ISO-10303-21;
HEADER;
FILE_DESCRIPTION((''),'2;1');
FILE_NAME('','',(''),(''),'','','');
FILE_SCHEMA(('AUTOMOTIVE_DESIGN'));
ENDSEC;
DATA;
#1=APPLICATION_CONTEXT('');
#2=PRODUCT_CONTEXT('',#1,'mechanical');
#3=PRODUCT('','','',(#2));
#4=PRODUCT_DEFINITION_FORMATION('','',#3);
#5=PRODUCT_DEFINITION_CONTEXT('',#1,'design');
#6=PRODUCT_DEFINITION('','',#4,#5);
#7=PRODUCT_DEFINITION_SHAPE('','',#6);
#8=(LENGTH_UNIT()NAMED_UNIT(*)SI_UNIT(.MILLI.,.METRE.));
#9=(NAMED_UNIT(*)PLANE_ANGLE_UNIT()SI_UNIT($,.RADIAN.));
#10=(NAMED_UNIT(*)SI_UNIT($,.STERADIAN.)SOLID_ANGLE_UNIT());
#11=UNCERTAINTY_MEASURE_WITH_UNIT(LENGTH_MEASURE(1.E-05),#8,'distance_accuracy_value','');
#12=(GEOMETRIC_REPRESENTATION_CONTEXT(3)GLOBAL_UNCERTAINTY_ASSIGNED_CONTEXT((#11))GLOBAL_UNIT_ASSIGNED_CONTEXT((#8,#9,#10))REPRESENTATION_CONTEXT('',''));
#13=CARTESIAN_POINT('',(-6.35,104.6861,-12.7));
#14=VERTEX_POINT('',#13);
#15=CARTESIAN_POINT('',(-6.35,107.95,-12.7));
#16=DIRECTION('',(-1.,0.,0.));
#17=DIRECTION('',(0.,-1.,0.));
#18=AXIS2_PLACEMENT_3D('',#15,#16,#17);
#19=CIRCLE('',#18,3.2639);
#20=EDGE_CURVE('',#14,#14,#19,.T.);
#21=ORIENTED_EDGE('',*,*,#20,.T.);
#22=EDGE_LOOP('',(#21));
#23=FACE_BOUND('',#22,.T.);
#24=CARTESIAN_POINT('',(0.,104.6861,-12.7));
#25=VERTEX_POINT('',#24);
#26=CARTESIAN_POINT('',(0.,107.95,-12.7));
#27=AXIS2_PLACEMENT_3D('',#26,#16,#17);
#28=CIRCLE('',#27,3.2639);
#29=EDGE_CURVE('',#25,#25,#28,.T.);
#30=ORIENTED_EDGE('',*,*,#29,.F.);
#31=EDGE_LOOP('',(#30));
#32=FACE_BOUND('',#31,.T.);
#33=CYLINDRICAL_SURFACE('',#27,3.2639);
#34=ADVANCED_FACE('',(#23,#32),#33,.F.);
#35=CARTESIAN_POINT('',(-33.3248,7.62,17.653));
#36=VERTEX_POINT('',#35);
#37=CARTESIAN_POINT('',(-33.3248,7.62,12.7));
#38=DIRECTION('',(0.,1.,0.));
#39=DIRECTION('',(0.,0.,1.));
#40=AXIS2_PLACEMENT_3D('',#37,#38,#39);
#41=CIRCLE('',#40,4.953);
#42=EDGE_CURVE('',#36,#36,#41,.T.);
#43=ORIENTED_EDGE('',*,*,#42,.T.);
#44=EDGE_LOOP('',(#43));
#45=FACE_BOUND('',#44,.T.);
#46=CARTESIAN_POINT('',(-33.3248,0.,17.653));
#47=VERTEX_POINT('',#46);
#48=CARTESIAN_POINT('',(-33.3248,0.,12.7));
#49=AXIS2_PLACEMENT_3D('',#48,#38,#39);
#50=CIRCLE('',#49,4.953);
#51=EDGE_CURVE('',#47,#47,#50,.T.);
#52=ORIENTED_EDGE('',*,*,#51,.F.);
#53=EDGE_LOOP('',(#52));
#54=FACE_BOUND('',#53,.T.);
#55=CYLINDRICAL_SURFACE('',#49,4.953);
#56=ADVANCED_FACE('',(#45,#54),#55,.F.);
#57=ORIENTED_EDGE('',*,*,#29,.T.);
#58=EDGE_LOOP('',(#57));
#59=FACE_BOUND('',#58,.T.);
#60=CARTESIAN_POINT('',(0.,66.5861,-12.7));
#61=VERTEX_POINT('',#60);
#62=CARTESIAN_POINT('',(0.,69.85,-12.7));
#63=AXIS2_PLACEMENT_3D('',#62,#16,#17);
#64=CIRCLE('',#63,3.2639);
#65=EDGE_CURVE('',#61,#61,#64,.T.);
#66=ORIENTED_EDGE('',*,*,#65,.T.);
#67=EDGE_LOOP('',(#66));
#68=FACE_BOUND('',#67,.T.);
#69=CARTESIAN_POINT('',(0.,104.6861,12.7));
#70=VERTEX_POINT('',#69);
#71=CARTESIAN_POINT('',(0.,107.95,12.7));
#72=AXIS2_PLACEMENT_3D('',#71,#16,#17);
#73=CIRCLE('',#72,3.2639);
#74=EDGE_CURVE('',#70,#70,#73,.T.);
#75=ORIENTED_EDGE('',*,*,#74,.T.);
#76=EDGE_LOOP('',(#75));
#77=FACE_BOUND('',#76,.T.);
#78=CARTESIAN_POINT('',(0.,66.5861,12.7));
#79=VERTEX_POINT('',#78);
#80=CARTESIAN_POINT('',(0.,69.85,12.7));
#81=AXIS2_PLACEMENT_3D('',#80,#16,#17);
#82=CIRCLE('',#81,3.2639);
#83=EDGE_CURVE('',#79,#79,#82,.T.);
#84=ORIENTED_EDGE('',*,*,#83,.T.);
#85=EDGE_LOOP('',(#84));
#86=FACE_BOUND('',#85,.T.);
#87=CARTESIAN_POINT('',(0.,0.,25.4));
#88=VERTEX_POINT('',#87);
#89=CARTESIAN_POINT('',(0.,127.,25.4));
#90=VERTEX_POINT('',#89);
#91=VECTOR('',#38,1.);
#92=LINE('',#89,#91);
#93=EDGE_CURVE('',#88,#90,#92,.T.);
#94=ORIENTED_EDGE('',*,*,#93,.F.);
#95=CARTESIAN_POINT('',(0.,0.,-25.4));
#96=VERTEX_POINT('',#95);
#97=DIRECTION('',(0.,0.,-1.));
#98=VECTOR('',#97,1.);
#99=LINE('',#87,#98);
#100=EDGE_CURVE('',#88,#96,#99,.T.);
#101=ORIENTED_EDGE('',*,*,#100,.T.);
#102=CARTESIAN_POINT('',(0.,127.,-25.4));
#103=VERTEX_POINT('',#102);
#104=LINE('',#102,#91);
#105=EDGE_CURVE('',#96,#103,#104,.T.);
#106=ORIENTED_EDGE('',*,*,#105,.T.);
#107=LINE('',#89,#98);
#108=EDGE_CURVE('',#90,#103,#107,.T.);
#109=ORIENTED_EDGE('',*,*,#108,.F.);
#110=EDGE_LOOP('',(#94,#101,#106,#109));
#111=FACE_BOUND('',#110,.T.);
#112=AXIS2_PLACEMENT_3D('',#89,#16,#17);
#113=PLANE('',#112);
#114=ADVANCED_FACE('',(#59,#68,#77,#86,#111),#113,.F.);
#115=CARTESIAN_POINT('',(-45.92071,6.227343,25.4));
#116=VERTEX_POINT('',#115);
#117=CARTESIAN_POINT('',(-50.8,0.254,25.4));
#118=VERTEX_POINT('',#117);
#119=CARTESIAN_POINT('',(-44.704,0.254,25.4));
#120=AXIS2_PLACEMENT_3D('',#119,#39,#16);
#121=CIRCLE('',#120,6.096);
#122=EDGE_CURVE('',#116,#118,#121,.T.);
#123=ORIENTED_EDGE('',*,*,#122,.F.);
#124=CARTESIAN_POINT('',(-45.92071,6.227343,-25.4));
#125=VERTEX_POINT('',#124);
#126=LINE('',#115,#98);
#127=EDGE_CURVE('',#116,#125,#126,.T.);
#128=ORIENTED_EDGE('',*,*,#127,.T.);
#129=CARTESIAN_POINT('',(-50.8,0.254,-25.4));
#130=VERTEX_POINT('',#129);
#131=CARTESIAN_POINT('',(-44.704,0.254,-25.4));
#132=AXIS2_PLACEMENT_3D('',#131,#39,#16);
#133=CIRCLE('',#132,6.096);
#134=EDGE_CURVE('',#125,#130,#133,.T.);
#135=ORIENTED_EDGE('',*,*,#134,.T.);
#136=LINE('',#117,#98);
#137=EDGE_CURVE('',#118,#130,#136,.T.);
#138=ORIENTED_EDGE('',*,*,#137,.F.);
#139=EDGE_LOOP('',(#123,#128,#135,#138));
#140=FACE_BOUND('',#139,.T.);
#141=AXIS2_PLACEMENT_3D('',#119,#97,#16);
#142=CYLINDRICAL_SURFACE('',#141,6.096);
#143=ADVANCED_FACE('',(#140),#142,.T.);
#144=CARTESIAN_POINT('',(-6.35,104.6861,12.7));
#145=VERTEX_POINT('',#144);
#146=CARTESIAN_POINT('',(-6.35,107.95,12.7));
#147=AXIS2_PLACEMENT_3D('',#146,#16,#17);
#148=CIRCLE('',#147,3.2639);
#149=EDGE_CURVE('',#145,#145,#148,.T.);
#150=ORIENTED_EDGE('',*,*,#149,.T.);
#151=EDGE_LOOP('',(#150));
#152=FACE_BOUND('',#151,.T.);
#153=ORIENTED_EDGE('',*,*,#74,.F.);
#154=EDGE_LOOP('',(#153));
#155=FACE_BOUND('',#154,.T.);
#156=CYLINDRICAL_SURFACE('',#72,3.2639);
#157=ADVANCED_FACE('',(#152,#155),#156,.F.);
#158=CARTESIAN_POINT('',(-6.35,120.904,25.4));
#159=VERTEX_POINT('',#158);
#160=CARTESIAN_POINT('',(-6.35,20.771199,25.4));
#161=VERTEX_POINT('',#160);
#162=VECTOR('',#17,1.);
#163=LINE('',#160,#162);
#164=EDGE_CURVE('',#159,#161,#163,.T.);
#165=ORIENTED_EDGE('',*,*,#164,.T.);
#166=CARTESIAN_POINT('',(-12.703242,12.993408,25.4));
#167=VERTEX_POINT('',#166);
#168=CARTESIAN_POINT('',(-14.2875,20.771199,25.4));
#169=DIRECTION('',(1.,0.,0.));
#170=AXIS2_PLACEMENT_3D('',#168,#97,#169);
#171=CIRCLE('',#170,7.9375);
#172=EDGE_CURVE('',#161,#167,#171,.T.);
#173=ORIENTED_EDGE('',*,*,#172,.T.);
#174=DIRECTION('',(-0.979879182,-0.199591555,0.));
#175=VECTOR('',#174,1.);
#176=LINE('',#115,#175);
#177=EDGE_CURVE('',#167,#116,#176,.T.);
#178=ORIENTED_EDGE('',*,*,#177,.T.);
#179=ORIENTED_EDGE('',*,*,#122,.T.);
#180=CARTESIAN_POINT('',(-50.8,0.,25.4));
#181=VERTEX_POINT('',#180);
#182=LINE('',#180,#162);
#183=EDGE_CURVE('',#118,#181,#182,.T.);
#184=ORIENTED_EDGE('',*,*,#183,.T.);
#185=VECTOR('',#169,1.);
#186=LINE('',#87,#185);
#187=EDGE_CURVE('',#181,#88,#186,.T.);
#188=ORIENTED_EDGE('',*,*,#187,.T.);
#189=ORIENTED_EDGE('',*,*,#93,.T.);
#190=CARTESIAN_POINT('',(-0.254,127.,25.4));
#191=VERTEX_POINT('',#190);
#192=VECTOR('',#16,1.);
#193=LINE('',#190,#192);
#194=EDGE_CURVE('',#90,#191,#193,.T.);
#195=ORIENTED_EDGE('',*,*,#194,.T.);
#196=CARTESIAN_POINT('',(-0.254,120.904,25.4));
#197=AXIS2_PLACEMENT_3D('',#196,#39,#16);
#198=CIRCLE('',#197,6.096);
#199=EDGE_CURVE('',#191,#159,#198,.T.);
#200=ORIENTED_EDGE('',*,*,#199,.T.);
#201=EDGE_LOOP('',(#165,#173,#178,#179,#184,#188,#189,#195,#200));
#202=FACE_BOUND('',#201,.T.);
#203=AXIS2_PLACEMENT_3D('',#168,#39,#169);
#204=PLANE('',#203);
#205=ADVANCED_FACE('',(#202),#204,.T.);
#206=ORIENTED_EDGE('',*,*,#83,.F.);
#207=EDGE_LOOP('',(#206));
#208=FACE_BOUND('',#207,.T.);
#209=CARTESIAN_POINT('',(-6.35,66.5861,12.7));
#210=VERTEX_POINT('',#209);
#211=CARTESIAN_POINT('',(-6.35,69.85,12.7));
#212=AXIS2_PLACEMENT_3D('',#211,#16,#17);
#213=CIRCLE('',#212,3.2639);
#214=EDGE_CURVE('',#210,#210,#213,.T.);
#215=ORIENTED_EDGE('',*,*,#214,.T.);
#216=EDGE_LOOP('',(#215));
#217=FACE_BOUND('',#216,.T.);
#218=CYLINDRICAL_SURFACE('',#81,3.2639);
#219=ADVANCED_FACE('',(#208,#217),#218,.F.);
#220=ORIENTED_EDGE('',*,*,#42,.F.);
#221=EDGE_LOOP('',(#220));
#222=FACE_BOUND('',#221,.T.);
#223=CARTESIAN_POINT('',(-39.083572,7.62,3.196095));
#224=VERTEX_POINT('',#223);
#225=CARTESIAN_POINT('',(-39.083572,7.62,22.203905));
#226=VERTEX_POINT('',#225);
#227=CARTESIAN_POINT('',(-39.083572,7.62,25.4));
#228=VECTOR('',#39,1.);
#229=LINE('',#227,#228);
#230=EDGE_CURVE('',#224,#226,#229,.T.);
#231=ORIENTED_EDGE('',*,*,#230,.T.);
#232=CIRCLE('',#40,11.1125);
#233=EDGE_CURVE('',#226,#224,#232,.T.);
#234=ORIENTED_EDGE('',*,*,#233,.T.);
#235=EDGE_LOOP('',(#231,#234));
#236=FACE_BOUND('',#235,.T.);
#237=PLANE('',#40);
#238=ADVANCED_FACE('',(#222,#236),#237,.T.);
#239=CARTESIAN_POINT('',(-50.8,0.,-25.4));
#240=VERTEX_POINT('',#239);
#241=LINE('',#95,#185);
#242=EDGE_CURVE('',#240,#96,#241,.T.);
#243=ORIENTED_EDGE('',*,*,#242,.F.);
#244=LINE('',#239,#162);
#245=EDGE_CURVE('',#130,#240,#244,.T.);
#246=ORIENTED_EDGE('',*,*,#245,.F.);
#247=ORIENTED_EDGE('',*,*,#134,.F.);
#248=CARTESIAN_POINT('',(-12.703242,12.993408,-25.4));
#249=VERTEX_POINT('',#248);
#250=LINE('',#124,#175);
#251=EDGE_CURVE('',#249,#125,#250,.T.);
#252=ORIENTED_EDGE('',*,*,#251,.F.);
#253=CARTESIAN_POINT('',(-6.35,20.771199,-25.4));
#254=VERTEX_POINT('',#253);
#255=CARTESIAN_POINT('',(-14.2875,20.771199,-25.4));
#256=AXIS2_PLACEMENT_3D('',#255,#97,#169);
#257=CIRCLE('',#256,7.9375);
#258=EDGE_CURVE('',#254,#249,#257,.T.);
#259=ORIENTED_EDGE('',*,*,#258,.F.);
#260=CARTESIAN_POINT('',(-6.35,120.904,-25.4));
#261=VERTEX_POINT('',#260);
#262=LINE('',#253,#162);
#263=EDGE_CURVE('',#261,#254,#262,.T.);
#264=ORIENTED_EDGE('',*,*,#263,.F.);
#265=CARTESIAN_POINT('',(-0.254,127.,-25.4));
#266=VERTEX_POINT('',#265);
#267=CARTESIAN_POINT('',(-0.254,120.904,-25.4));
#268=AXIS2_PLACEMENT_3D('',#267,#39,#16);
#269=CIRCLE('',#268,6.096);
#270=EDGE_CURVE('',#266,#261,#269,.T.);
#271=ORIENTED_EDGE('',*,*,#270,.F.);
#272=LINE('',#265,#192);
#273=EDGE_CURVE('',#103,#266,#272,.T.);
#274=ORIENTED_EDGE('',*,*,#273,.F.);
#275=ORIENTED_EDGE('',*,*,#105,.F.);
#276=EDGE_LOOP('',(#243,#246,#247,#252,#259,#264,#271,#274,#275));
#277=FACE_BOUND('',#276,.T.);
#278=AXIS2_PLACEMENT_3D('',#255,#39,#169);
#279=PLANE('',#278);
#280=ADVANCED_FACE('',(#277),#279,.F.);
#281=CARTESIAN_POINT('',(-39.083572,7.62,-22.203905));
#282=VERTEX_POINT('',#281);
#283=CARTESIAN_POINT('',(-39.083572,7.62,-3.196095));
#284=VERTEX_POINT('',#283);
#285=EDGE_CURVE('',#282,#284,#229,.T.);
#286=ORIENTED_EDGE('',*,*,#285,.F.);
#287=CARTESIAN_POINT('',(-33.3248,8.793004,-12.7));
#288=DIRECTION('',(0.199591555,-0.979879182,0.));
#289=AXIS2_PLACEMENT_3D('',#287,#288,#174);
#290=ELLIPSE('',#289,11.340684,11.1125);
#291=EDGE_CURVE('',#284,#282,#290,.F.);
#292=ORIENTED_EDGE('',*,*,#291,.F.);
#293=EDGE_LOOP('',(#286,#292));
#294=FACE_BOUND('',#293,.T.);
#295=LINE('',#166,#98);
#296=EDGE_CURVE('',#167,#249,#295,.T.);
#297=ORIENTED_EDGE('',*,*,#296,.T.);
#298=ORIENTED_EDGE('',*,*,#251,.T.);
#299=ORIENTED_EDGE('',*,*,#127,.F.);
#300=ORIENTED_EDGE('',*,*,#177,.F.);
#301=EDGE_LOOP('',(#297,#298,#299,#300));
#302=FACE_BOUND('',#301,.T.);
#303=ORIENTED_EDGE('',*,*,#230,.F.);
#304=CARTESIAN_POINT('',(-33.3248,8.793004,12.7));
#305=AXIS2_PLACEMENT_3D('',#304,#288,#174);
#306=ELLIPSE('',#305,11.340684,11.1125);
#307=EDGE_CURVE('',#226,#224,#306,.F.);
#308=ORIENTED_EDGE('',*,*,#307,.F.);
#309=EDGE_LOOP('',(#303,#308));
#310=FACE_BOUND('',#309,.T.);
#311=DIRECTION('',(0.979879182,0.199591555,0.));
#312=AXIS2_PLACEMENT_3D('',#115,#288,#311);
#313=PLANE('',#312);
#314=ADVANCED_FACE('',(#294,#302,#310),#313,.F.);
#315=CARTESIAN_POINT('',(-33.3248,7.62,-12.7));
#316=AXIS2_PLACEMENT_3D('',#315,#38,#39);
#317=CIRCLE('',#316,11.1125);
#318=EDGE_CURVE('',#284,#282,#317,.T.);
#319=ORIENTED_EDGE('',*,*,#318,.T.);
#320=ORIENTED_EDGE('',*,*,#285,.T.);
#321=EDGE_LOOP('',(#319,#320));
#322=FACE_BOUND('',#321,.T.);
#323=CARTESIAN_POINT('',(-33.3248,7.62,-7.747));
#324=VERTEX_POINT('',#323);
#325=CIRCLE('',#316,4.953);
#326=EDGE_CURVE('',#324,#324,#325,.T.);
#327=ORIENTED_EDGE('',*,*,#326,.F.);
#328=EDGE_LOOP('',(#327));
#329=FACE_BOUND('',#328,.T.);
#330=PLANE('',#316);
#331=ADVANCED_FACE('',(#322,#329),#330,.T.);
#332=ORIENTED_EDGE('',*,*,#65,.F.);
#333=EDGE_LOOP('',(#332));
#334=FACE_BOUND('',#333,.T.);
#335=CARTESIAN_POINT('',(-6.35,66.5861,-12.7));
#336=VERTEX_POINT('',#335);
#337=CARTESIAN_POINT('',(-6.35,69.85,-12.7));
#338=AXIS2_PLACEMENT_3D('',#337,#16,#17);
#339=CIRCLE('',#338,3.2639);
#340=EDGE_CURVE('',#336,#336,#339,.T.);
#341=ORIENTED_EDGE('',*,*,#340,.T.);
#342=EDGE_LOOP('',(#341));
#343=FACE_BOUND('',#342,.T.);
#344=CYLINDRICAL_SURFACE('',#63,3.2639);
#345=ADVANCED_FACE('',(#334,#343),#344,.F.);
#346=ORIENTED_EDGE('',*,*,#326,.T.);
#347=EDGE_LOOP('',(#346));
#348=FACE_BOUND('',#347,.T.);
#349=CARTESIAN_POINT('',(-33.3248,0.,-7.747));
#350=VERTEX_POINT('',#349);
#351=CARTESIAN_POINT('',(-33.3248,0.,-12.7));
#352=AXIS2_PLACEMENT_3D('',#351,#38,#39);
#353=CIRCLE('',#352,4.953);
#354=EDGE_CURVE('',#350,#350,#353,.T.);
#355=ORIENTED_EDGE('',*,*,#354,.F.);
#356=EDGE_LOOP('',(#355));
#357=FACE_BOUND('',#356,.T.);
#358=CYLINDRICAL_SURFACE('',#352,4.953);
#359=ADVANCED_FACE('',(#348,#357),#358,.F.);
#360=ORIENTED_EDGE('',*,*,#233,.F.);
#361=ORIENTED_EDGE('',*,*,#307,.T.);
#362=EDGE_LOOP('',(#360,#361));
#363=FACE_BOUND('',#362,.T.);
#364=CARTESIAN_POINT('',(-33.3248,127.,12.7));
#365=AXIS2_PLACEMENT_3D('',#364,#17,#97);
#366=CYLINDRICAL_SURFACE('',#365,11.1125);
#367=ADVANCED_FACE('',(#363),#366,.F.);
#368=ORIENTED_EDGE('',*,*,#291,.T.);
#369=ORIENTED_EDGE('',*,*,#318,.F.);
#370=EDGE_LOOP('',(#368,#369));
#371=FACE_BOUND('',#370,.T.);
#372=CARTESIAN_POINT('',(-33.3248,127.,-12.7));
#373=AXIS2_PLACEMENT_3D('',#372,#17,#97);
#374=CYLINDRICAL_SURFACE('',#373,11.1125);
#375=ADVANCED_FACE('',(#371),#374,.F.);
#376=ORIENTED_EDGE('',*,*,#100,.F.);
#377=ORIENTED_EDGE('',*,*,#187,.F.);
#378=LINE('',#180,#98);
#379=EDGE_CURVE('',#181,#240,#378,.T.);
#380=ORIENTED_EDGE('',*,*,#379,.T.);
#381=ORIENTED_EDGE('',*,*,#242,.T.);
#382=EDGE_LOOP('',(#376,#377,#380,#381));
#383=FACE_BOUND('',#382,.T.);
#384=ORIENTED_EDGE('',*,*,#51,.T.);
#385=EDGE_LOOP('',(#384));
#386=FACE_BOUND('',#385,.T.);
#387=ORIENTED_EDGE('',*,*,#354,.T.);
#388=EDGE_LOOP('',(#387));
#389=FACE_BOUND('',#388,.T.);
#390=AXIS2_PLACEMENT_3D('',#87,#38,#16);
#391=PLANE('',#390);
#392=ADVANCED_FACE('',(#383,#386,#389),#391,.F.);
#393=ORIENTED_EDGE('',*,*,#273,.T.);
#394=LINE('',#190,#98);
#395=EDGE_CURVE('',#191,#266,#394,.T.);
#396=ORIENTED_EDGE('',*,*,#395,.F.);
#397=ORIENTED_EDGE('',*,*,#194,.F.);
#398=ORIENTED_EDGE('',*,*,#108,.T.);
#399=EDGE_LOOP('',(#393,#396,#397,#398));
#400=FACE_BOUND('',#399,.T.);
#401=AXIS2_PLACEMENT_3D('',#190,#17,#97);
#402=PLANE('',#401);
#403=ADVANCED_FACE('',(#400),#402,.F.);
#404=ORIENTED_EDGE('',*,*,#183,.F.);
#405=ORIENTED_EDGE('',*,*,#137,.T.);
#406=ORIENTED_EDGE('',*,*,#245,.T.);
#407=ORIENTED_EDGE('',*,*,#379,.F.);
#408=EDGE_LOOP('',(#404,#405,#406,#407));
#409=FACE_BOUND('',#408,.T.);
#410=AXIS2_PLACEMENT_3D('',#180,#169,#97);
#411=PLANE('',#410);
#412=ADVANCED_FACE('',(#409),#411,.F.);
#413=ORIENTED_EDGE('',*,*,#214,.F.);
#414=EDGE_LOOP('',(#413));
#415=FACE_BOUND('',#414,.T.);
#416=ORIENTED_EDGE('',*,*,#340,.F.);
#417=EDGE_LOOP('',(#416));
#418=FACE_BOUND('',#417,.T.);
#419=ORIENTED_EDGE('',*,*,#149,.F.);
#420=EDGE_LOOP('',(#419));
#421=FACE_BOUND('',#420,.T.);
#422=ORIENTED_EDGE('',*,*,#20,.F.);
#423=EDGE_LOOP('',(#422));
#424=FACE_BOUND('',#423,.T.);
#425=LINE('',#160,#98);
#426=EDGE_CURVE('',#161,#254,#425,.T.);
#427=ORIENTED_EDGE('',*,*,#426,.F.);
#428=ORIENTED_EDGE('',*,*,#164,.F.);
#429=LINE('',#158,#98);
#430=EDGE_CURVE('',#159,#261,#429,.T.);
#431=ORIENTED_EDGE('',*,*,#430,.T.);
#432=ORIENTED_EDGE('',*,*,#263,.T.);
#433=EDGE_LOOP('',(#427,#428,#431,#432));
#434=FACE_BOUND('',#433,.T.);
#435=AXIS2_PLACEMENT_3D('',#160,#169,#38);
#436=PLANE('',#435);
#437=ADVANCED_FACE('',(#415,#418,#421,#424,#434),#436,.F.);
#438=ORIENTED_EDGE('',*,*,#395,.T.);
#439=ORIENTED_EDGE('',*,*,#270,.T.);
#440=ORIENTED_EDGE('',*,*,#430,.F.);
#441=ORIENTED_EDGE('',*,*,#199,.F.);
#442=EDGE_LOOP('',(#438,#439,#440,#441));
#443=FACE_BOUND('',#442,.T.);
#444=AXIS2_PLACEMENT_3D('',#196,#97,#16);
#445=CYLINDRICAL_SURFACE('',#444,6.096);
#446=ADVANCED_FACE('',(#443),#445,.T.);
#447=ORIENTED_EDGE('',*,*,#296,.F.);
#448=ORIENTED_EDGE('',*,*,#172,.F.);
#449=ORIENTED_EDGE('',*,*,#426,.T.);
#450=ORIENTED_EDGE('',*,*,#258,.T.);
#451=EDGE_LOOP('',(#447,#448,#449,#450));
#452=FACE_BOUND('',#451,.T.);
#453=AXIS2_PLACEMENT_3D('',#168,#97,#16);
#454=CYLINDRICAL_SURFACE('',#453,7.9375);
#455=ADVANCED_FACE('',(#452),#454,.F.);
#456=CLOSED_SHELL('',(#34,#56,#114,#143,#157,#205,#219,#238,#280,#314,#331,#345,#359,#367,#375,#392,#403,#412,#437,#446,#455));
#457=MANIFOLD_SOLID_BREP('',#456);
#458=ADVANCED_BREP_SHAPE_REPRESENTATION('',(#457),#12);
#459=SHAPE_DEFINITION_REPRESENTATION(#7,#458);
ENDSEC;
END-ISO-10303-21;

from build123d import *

# Parameters (mm, degrees)
EXTRUDE1_DEPTH     = 25.4
SKETCH11_R         = 11.1125
CUT_EXTRUDE4_DEPTH = 133.202058985
SKETCH12_R         = 4.953
CUT_EXTRUDE5_DEPTH = 133.202058985
SKETCH13_R         = 3.2639
CUT_EXTRUDE6_DEPTH = 137.930502446


with BuildPart() as part:
    # Sketch1 → Extrude1 (new, symmetric)
    with BuildSketch(Plane.XY):
        with BuildLine():
            Line((0, 127), (0, 0))
            Line((0, 0), (-50.8, 0))
            Line((-50.8, 0), (-50.8, 0.254))
            ThreePointArc((-50.8, 0.254), (-49.425137622, 4.11043301), (-45.920710119, 6.227343493))
            Line((-45.920710119, 6.227343493), (-12.703242032, 12.993408361))
            ThreePointArc((-12.703242032, 12.993408361), (-8.140185388, 15.74980222), (-6.35, 20.771199368))
            Line((-6.35, 20.771199368), (-6.35, 120.904))
            ThreePointArc((-6.35, 120.904), (-4.564522938, 125.214522938), (-0.254, 127))
            Line((-0.254, 127), (0, 127))
        make_face()
    extrude(amount=EXTRUDE1_DEPTH, both=True)

    # Sketch11 → Cut-Extrude4 (cut, through all)
    with BuildSketch(Plane(origin=(0, 7.62, 0), x_dir=(-1, 0, 0), z_dir=(0, 1, 0))):
        with Locations((33.3248, -12.7)):
            Circle(SKETCH11_R)
        with Locations((33.3248, 12.7)):
            Circle(SKETCH11_R)
    extrude(amount=CUT_EXTRUDE4_DEPTH, mode=Mode.SUBTRACT)

    # Sketch12 → Cut-Extrude5 (cut, through all)
    with BuildSketch(Plane(origin=(0, 7.62, 0), x_dir=(-1, 0, 0), z_dir=(0, 1, 0))):
        with Locations(Location((33.3248, 12.7, 0), (0, 0, 90))):
            Circle(SKETCH12_R)
        with Locations(Location((33.3248, -12.7, 0), (0, 0, 90))):
            Circle(SKETCH12_R)
    extrude(amount=-CUT_EXTRUDE5_DEPTH, mode=Mode.SUBTRACT)

    # Sketch13 → Cut-Extrude6 (cut, through all)
    with BuildSketch(Plane.ZY.offset(6.35)):
        with Locations(Location((-12.7, 69.85, 0), (0, 0, 270))):
            Circle(SKETCH13_R)
        with Locations(Location((-12.7, 107.95, 0), (0, 0, 270))):
            Circle(SKETCH13_R)
        with Locations(Location((12.7, 107.95, 0), (0, 0, 270))):
            Circle(SKETCH13_R)
        with Locations(Location((12.7, 69.85, 0), (0, 0, 270))):
            Circle(SKETCH13_R)
    extrude(amount=-CUT_EXTRUDE6_DEPTH, mode=Mode.SUBTRACT)


solid = part.part
